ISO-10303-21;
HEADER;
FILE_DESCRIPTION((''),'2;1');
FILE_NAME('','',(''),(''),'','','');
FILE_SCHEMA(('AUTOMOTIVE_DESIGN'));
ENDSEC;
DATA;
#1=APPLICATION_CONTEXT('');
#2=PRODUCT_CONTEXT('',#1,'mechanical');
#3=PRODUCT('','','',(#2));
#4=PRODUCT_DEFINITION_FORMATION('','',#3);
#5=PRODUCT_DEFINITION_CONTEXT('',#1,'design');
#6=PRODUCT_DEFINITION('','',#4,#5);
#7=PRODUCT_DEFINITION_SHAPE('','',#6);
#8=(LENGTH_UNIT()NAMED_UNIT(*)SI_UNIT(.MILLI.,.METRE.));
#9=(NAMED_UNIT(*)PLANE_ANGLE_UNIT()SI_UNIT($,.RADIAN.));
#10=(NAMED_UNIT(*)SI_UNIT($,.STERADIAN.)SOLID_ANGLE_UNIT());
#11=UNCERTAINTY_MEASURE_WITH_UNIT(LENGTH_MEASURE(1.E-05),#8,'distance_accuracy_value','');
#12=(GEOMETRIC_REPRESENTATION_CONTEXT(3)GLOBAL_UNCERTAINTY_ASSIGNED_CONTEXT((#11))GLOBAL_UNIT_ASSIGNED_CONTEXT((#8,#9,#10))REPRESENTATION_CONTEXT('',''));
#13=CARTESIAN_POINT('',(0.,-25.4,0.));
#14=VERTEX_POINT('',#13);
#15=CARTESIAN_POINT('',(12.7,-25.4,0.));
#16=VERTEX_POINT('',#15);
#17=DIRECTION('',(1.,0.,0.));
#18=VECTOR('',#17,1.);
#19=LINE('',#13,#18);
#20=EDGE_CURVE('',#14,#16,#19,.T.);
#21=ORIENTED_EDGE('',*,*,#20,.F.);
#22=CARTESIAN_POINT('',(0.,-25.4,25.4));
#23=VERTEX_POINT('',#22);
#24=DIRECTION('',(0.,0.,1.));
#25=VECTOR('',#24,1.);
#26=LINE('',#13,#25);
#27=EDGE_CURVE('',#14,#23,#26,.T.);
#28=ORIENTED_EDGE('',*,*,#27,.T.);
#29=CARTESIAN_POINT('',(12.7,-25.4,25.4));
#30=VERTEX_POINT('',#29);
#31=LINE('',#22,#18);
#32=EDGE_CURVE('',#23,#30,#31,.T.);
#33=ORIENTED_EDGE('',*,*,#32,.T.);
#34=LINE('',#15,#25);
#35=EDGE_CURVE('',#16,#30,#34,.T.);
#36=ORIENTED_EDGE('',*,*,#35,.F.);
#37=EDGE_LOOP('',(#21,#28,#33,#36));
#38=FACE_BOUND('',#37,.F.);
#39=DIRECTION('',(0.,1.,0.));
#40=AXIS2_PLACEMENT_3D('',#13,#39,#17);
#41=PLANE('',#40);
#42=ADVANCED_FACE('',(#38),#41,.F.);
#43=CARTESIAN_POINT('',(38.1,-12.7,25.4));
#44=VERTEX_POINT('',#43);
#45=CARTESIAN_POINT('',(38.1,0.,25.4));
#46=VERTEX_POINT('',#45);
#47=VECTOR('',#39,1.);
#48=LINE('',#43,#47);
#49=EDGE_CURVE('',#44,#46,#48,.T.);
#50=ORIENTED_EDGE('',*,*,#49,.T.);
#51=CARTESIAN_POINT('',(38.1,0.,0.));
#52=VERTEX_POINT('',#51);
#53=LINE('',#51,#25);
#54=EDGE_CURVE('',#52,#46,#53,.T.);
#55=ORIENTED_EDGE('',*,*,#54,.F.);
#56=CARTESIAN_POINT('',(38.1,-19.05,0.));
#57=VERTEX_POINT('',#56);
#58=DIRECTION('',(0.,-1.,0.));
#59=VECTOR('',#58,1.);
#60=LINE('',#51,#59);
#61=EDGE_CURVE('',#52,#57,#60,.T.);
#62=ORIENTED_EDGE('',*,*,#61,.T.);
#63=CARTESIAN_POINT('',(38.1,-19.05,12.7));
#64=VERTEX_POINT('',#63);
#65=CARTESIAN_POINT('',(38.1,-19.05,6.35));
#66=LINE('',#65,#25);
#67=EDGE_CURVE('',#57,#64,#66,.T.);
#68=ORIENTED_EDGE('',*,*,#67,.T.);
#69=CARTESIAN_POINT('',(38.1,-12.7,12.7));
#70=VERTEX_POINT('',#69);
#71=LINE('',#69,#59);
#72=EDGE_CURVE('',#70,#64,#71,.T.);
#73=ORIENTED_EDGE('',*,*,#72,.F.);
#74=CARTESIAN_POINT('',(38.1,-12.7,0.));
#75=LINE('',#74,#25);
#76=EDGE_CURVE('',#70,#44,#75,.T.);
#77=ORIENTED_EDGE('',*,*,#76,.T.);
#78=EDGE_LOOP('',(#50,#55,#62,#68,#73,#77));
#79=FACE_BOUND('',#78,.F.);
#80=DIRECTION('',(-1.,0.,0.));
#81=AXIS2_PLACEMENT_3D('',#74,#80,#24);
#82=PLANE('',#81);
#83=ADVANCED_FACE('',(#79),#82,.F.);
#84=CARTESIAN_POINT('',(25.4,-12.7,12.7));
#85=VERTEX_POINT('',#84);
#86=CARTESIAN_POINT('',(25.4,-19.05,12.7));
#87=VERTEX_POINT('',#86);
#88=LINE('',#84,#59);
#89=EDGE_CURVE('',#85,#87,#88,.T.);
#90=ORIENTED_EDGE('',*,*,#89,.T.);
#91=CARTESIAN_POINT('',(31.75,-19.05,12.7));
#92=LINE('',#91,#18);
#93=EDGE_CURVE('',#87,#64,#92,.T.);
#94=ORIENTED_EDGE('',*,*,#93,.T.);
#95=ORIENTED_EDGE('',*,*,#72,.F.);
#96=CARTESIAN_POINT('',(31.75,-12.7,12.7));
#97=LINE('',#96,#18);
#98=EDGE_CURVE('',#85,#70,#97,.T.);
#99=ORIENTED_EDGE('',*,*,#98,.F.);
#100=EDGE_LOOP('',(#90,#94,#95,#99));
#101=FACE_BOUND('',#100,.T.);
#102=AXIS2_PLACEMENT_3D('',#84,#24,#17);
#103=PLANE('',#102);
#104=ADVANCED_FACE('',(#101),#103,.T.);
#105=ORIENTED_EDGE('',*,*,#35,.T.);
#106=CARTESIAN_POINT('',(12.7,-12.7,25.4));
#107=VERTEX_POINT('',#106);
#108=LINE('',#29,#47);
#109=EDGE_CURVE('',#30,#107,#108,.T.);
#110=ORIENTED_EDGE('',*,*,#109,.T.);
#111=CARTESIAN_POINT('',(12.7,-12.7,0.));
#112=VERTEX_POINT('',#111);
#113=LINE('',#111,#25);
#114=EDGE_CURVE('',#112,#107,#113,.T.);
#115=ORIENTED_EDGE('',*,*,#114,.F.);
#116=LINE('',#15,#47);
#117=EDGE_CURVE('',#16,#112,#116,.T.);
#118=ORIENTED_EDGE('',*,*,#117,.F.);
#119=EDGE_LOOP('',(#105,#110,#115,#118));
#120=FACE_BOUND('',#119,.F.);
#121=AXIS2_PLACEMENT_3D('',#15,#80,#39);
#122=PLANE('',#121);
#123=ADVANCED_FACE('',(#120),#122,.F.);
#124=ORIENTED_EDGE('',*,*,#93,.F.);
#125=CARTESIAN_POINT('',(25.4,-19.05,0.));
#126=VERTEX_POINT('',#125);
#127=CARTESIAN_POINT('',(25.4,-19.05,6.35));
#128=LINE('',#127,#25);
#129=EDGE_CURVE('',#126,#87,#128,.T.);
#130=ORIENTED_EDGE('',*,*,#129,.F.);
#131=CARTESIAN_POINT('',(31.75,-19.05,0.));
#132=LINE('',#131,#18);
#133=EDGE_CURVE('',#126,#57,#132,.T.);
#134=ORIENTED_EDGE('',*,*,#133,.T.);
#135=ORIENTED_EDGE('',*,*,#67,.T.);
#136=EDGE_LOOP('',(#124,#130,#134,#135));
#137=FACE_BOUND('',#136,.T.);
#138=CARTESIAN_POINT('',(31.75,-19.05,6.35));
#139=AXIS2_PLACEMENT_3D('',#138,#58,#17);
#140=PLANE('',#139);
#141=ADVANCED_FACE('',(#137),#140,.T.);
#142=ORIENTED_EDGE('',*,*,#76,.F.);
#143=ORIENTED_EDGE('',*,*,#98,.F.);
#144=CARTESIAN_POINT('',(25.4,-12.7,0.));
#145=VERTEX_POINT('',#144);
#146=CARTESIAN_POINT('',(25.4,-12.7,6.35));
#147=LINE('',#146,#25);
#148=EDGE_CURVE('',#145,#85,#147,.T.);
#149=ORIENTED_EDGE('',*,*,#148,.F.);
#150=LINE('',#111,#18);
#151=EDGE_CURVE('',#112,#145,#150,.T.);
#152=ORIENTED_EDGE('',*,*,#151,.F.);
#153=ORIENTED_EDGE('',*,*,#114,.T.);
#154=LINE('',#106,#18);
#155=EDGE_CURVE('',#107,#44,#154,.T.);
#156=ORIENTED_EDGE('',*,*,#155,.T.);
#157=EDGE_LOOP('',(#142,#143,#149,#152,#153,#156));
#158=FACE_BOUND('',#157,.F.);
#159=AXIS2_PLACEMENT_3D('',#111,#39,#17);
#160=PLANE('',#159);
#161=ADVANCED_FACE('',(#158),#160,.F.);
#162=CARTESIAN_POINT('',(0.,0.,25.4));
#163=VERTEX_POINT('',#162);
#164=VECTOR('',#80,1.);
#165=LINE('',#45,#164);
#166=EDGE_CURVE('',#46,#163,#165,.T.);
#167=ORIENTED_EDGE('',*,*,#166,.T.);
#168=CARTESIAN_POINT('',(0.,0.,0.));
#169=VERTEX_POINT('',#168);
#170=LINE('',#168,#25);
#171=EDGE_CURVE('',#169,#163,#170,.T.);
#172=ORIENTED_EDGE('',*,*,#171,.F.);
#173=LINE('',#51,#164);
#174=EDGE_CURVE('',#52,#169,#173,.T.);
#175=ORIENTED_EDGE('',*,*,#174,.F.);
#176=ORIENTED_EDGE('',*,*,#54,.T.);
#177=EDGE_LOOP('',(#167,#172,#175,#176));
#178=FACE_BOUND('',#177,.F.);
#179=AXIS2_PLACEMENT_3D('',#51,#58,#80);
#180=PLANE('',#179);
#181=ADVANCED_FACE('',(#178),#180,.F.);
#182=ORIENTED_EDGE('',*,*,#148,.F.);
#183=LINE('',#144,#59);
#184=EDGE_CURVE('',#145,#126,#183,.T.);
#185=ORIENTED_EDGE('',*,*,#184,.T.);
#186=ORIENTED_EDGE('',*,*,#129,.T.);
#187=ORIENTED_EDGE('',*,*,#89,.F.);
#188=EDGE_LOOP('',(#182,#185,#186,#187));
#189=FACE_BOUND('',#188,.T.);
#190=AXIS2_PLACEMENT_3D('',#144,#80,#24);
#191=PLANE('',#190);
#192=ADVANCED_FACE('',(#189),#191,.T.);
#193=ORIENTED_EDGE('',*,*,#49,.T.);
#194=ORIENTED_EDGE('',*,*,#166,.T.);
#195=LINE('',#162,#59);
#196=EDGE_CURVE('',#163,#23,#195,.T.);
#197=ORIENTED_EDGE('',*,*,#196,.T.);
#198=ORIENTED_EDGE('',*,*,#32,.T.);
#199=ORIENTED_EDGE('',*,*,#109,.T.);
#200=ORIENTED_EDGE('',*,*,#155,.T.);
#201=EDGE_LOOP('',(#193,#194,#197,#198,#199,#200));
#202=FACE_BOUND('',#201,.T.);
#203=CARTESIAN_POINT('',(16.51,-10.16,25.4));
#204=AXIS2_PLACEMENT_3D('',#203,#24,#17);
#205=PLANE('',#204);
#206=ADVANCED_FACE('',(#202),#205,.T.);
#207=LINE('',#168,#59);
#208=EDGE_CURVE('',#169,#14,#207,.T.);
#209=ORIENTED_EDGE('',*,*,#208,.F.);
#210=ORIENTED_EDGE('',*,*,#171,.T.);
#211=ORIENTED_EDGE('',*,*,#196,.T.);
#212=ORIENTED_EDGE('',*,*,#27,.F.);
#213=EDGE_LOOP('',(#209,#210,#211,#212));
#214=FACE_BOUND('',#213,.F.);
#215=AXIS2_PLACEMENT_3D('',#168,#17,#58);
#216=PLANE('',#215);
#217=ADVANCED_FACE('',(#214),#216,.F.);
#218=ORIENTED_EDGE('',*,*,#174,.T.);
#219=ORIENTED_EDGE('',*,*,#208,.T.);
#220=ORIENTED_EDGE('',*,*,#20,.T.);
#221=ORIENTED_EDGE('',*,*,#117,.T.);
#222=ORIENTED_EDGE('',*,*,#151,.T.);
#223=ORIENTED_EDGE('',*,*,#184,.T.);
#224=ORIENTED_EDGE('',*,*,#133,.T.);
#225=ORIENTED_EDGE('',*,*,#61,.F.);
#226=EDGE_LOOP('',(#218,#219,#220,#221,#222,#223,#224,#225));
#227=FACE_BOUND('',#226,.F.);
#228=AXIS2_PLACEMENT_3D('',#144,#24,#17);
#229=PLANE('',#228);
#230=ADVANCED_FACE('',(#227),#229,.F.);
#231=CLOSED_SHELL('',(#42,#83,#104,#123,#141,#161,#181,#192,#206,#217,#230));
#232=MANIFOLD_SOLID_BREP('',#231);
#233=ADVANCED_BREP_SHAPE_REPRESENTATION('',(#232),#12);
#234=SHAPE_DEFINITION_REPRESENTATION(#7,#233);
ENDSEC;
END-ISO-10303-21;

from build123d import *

# Parameters (mm, degrees)
F1_DEPTH = 25.4
F2_W     = 12.7
F2_H     = 12.7
F3_DEPTH = 6.35


with BuildPart() as f1:
    # F0 (on Top) → F1 (new body)
    with BuildSketch(Plane.XY):
        Polygon((38.1, 0), (0, 0), (0, -25.4), (12.7, -25.4), (12.7, -12.7), (38.1, -12.7), align=None)
    extrude(amount=F1_DEPTH)

    # F2 (on face) → F3 (join)
    with BuildSketch(Plane.XZ.offset(12.7)):
        with Locations((31.75, 6.35)):
            Rectangle(F2_W, F2_H)
    extrude(amount=F3_DEPTH)


solid = f1.part
